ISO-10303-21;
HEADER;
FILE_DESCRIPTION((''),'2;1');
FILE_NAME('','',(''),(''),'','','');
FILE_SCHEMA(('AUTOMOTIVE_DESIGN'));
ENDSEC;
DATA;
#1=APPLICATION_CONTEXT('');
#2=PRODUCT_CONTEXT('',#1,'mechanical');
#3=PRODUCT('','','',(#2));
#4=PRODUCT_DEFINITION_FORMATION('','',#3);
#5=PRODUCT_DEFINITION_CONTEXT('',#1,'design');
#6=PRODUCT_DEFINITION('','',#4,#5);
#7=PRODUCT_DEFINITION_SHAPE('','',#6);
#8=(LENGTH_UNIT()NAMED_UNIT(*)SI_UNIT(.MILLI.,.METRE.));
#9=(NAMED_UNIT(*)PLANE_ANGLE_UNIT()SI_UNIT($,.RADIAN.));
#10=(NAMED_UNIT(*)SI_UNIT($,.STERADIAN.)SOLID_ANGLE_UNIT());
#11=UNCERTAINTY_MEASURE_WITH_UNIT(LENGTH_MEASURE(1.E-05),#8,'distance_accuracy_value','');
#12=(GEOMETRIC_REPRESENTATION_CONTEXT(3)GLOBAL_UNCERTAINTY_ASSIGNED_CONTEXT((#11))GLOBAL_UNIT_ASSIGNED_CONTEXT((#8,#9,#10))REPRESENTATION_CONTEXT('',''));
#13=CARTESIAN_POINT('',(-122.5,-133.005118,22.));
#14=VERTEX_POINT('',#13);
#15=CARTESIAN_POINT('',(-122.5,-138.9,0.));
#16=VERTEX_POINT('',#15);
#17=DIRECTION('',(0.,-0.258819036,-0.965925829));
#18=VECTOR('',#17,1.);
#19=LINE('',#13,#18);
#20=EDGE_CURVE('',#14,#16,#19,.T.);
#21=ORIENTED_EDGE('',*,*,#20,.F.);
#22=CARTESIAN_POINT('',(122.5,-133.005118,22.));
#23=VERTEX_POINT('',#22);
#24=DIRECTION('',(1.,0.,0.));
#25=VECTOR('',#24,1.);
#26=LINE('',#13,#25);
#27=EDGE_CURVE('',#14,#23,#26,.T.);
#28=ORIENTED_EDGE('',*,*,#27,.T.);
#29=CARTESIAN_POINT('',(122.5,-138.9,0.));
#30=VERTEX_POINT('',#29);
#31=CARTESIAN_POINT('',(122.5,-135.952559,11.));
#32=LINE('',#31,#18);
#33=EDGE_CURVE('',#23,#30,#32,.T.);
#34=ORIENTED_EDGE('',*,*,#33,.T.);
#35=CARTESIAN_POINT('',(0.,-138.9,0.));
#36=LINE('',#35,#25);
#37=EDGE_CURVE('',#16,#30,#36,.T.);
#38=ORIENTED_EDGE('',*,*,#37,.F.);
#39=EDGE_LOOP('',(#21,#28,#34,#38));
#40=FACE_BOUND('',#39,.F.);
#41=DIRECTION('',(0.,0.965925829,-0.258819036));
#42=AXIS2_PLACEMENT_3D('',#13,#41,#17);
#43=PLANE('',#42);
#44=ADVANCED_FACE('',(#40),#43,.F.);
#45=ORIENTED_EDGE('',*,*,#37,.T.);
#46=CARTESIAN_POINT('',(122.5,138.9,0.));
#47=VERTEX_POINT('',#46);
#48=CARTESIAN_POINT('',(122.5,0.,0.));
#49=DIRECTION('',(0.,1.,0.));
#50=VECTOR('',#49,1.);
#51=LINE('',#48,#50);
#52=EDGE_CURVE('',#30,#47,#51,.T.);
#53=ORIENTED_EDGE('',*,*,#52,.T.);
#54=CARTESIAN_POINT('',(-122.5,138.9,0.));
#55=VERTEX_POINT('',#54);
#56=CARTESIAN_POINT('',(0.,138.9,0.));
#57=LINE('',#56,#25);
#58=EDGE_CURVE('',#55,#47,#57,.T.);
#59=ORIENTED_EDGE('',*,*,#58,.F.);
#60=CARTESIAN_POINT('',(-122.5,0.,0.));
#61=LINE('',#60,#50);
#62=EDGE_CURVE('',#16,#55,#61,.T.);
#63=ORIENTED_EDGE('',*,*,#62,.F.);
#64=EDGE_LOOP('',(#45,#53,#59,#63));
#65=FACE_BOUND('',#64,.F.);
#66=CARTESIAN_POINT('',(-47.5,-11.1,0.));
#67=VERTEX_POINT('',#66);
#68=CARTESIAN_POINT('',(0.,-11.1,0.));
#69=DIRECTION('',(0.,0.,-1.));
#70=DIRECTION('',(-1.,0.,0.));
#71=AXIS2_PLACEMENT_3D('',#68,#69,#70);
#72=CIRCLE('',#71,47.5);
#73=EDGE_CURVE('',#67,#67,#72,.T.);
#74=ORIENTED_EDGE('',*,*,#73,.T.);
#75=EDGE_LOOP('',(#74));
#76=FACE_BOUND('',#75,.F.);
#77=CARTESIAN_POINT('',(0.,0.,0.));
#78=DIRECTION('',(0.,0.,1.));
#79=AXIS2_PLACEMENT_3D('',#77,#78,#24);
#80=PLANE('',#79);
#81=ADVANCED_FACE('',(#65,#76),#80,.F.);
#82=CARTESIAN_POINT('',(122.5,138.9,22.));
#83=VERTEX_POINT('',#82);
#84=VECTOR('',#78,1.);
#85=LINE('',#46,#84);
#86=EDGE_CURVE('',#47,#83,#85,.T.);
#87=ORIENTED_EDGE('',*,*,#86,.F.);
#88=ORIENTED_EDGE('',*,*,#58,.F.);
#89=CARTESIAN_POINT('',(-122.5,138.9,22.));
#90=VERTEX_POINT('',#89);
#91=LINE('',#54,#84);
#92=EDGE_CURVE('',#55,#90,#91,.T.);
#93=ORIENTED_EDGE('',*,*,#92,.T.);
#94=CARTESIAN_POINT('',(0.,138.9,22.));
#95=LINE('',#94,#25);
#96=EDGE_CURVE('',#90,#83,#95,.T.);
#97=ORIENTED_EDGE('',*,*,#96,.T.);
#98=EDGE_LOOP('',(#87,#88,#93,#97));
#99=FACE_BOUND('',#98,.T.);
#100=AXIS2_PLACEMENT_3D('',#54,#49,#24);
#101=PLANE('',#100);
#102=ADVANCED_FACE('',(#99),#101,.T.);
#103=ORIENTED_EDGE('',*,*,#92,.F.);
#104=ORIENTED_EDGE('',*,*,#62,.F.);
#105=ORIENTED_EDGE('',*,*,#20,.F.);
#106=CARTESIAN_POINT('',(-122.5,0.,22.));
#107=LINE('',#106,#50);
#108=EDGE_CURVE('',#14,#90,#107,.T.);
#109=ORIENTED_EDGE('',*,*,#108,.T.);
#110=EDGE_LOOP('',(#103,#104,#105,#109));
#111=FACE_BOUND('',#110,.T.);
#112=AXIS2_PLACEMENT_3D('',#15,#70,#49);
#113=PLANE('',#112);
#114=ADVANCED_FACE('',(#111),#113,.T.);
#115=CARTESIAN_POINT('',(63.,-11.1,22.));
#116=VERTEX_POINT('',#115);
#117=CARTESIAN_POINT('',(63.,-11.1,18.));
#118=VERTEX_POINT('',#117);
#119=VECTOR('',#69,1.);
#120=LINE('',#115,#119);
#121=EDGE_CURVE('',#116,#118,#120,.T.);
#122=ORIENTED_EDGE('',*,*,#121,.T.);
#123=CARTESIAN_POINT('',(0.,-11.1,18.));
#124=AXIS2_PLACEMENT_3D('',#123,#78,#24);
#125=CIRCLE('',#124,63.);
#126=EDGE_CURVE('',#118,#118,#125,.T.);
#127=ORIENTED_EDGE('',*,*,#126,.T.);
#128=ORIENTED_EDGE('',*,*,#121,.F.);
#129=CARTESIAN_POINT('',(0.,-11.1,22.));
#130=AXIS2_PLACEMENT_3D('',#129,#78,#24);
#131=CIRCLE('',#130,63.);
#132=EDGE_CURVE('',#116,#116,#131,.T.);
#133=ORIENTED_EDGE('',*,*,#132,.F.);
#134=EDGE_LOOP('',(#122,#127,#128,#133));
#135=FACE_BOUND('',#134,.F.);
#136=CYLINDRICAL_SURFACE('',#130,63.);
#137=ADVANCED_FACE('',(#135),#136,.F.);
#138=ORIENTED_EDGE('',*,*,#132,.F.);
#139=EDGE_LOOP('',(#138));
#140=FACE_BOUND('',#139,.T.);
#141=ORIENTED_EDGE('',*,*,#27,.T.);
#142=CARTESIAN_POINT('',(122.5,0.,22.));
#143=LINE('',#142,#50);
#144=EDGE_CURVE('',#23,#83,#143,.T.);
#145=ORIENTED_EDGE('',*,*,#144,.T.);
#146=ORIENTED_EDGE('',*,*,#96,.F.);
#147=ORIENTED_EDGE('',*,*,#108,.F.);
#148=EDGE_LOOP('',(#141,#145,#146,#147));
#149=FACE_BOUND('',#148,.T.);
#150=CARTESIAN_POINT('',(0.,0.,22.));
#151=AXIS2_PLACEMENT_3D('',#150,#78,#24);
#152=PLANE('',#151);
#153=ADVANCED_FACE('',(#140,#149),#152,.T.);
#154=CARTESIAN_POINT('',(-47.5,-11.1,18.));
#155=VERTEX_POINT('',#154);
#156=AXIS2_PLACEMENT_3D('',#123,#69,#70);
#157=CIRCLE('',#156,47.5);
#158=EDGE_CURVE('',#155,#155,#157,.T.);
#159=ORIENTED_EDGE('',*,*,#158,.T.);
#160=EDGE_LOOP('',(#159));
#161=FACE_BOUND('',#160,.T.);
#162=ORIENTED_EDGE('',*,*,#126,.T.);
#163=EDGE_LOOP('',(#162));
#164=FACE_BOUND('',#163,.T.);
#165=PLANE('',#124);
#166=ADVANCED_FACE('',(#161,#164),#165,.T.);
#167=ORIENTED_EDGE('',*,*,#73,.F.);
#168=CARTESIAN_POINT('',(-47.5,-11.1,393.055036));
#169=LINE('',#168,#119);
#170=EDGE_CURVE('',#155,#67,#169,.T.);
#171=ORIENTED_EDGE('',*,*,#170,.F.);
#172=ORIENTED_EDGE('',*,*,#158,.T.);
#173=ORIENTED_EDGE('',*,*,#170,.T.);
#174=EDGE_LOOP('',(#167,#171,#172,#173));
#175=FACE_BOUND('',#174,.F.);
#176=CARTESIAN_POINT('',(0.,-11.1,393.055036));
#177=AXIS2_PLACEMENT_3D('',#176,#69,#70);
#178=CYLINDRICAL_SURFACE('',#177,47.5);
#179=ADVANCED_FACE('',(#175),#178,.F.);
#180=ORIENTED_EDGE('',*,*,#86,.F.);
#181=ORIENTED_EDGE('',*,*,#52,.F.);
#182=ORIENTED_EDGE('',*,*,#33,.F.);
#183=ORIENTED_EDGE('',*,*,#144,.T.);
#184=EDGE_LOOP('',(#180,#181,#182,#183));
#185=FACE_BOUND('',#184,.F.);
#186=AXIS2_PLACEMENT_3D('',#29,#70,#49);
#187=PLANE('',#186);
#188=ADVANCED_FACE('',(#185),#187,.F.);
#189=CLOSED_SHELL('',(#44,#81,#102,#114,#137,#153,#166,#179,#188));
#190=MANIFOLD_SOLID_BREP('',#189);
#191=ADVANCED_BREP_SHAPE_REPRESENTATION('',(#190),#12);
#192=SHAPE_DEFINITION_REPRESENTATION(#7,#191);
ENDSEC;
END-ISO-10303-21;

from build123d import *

# Parameters (mm, degrees)
F0_W     = 245
F0_H     = 277.8
F1_DEPTH = 22
F3_D     = 95
F4_R     = 63
F5_DEPTH = 4
F7_DEPTH = 245.001


with BuildPart() as f1:
    # F0 (on Top) → F1 (new body)
    with BuildSketch(Plane.XY):
        Rectangle(F0_W, F0_H)
    extrude(amount=F1_DEPTH)

    # F3 (through all)
    with Locations(Plane.XY.offset(22)):
        with Locations((0, -11.1)):
            Hole(F3_D / 2)

    # F4 (on face) → F5 (cut)
    with BuildSketch(Plane.XY.offset(22)):
        with Locations((0, -11.1)):
            Circle(F4_R)
    extrude(amount=-F5_DEPTH, mode=Mode.SUBTRACT)

    # F6 (on face) → F7 (cut, through all)
    with BuildSketch(Plane(origin=(-122.5, 0, 0), x_dir=(0, -1, 0), z_dir=(-1, 0, 0))):
        Polygon((133.005118, 22), (138.9, 0), (138.9, 22), align=None)
    extrude(amount=-F7_DEPTH, mode=Mode.SUBTRACT)


solid = f1.part
